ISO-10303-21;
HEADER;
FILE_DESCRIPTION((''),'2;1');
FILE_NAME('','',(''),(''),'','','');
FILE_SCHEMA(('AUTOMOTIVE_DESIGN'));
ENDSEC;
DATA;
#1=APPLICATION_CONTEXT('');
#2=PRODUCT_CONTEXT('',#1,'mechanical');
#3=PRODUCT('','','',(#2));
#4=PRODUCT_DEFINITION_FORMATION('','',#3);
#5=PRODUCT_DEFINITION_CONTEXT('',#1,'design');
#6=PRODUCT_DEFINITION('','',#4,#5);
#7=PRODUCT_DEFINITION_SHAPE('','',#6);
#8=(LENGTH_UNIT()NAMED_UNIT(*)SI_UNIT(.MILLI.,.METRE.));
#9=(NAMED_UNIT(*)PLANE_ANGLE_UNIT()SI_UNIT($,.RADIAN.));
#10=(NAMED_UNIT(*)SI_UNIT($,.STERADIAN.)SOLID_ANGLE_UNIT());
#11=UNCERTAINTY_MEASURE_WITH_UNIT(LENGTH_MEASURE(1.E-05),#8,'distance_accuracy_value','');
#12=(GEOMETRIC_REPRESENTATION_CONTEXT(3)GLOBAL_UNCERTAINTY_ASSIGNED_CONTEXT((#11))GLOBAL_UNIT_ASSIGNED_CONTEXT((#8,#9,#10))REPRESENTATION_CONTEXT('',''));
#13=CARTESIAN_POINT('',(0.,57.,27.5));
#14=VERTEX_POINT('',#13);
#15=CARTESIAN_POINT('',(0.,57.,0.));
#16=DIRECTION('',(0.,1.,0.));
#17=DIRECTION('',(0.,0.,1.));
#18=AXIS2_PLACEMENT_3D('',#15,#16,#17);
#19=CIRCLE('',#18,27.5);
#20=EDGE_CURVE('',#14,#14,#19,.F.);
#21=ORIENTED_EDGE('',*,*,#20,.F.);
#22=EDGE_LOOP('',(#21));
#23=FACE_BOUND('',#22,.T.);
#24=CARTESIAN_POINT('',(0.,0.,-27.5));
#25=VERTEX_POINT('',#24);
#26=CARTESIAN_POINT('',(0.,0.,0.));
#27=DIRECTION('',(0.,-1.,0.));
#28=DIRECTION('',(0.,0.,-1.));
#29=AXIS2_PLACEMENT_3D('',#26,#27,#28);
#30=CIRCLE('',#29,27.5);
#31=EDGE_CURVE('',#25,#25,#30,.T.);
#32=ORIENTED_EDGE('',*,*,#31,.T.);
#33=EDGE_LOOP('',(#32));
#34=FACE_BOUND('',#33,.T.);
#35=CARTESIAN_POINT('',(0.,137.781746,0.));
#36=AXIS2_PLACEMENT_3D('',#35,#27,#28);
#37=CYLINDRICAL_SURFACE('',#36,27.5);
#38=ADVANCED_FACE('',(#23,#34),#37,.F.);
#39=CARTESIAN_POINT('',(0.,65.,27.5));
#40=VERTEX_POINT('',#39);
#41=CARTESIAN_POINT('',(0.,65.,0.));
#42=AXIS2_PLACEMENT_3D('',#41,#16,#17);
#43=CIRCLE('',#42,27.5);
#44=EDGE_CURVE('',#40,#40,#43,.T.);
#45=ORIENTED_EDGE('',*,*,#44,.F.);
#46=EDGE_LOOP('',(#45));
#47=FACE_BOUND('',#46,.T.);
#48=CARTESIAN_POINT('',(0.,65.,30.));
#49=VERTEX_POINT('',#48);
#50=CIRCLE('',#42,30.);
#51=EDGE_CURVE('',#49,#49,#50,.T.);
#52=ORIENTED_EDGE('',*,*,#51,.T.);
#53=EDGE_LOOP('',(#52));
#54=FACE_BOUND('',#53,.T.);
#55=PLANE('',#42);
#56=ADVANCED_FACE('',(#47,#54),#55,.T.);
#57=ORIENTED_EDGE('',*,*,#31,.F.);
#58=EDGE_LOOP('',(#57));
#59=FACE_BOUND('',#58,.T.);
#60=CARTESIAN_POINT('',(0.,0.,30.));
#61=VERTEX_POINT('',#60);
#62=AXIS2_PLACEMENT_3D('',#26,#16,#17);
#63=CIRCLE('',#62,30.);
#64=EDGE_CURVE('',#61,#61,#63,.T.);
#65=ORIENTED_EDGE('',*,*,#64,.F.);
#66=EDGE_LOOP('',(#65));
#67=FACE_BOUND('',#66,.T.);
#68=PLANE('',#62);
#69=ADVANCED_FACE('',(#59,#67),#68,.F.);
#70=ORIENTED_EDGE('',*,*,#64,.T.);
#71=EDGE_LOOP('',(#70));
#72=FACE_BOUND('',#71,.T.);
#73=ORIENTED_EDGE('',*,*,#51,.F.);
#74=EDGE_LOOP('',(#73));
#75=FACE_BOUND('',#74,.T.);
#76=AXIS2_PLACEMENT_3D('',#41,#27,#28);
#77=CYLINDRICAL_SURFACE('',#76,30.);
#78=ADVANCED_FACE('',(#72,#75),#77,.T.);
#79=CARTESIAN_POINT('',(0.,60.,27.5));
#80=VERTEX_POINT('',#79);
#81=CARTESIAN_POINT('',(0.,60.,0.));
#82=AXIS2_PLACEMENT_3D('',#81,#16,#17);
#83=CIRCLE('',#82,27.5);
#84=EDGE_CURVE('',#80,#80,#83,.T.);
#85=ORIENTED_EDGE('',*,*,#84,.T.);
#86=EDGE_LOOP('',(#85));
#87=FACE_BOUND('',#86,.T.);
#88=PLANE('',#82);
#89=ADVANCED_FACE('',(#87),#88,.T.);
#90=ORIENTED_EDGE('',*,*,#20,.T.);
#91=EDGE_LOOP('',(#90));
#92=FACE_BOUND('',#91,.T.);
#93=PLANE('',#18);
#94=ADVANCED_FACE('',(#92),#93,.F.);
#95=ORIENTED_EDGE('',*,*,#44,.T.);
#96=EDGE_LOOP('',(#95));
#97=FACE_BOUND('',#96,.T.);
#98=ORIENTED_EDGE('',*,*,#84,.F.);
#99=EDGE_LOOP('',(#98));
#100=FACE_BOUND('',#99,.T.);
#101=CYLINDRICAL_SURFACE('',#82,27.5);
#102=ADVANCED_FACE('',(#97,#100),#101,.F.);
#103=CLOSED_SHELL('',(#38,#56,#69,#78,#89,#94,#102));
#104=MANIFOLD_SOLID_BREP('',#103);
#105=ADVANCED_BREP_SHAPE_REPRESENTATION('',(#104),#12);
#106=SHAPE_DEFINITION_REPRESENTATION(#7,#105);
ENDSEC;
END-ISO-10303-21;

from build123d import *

# Parameters (mm, degrees)
SKETCH_1_R          = 30
EXTRUDE_1_DEPTH     = 65
SKETCH_2_R          = 27.5
CUT_EXTRUDE_1_DEPTH = 5
CUT_EXTRUDE_START   = -57
SKETCH_3_R          = 27.5
CUT_EXTRUDE_2_DEPTH = 57


with BuildPart() as part:
    # 草图1 → 凸台-拉伸1 (new body)
    with BuildSketch(Plane(origin=(0, 0, 0), x_dir=(1, 0, 0), z_dir=(0, 1, 0))):
        with Locations(Location((0, 0, 0), (0, 0, 270))):
            Circle(SKETCH_1_R)
    extrude(amount=EXTRUDE_1_DEPTH)

    # 草图2 → 切除-拉伸1 (cut)
    with BuildSketch(Plane(origin=(0, 65, 0), x_dir=(1, 0, 0), z_dir=(0, 1, 0))):
        with Locations(Location((0, 0, 0), (0, 0, 270))):
            Circle(SKETCH_2_R)
    extrude(amount=-CUT_EXTRUDE_1_DEPTH, mode=Mode.SUBTRACT)

    # 草图3 → 切除-拉伸2 (cut)
    with BuildSketch(Plane.XZ.offset(CUT_EXTRUDE_START)):
        with Locations(Location((0, 0, 0), (0, 0, 90))):
            Circle(SKETCH_3_R)
    extrude(amount=CUT_EXTRUDE_2_DEPTH, mode=Mode.SUBTRACT)


solid = part.part
